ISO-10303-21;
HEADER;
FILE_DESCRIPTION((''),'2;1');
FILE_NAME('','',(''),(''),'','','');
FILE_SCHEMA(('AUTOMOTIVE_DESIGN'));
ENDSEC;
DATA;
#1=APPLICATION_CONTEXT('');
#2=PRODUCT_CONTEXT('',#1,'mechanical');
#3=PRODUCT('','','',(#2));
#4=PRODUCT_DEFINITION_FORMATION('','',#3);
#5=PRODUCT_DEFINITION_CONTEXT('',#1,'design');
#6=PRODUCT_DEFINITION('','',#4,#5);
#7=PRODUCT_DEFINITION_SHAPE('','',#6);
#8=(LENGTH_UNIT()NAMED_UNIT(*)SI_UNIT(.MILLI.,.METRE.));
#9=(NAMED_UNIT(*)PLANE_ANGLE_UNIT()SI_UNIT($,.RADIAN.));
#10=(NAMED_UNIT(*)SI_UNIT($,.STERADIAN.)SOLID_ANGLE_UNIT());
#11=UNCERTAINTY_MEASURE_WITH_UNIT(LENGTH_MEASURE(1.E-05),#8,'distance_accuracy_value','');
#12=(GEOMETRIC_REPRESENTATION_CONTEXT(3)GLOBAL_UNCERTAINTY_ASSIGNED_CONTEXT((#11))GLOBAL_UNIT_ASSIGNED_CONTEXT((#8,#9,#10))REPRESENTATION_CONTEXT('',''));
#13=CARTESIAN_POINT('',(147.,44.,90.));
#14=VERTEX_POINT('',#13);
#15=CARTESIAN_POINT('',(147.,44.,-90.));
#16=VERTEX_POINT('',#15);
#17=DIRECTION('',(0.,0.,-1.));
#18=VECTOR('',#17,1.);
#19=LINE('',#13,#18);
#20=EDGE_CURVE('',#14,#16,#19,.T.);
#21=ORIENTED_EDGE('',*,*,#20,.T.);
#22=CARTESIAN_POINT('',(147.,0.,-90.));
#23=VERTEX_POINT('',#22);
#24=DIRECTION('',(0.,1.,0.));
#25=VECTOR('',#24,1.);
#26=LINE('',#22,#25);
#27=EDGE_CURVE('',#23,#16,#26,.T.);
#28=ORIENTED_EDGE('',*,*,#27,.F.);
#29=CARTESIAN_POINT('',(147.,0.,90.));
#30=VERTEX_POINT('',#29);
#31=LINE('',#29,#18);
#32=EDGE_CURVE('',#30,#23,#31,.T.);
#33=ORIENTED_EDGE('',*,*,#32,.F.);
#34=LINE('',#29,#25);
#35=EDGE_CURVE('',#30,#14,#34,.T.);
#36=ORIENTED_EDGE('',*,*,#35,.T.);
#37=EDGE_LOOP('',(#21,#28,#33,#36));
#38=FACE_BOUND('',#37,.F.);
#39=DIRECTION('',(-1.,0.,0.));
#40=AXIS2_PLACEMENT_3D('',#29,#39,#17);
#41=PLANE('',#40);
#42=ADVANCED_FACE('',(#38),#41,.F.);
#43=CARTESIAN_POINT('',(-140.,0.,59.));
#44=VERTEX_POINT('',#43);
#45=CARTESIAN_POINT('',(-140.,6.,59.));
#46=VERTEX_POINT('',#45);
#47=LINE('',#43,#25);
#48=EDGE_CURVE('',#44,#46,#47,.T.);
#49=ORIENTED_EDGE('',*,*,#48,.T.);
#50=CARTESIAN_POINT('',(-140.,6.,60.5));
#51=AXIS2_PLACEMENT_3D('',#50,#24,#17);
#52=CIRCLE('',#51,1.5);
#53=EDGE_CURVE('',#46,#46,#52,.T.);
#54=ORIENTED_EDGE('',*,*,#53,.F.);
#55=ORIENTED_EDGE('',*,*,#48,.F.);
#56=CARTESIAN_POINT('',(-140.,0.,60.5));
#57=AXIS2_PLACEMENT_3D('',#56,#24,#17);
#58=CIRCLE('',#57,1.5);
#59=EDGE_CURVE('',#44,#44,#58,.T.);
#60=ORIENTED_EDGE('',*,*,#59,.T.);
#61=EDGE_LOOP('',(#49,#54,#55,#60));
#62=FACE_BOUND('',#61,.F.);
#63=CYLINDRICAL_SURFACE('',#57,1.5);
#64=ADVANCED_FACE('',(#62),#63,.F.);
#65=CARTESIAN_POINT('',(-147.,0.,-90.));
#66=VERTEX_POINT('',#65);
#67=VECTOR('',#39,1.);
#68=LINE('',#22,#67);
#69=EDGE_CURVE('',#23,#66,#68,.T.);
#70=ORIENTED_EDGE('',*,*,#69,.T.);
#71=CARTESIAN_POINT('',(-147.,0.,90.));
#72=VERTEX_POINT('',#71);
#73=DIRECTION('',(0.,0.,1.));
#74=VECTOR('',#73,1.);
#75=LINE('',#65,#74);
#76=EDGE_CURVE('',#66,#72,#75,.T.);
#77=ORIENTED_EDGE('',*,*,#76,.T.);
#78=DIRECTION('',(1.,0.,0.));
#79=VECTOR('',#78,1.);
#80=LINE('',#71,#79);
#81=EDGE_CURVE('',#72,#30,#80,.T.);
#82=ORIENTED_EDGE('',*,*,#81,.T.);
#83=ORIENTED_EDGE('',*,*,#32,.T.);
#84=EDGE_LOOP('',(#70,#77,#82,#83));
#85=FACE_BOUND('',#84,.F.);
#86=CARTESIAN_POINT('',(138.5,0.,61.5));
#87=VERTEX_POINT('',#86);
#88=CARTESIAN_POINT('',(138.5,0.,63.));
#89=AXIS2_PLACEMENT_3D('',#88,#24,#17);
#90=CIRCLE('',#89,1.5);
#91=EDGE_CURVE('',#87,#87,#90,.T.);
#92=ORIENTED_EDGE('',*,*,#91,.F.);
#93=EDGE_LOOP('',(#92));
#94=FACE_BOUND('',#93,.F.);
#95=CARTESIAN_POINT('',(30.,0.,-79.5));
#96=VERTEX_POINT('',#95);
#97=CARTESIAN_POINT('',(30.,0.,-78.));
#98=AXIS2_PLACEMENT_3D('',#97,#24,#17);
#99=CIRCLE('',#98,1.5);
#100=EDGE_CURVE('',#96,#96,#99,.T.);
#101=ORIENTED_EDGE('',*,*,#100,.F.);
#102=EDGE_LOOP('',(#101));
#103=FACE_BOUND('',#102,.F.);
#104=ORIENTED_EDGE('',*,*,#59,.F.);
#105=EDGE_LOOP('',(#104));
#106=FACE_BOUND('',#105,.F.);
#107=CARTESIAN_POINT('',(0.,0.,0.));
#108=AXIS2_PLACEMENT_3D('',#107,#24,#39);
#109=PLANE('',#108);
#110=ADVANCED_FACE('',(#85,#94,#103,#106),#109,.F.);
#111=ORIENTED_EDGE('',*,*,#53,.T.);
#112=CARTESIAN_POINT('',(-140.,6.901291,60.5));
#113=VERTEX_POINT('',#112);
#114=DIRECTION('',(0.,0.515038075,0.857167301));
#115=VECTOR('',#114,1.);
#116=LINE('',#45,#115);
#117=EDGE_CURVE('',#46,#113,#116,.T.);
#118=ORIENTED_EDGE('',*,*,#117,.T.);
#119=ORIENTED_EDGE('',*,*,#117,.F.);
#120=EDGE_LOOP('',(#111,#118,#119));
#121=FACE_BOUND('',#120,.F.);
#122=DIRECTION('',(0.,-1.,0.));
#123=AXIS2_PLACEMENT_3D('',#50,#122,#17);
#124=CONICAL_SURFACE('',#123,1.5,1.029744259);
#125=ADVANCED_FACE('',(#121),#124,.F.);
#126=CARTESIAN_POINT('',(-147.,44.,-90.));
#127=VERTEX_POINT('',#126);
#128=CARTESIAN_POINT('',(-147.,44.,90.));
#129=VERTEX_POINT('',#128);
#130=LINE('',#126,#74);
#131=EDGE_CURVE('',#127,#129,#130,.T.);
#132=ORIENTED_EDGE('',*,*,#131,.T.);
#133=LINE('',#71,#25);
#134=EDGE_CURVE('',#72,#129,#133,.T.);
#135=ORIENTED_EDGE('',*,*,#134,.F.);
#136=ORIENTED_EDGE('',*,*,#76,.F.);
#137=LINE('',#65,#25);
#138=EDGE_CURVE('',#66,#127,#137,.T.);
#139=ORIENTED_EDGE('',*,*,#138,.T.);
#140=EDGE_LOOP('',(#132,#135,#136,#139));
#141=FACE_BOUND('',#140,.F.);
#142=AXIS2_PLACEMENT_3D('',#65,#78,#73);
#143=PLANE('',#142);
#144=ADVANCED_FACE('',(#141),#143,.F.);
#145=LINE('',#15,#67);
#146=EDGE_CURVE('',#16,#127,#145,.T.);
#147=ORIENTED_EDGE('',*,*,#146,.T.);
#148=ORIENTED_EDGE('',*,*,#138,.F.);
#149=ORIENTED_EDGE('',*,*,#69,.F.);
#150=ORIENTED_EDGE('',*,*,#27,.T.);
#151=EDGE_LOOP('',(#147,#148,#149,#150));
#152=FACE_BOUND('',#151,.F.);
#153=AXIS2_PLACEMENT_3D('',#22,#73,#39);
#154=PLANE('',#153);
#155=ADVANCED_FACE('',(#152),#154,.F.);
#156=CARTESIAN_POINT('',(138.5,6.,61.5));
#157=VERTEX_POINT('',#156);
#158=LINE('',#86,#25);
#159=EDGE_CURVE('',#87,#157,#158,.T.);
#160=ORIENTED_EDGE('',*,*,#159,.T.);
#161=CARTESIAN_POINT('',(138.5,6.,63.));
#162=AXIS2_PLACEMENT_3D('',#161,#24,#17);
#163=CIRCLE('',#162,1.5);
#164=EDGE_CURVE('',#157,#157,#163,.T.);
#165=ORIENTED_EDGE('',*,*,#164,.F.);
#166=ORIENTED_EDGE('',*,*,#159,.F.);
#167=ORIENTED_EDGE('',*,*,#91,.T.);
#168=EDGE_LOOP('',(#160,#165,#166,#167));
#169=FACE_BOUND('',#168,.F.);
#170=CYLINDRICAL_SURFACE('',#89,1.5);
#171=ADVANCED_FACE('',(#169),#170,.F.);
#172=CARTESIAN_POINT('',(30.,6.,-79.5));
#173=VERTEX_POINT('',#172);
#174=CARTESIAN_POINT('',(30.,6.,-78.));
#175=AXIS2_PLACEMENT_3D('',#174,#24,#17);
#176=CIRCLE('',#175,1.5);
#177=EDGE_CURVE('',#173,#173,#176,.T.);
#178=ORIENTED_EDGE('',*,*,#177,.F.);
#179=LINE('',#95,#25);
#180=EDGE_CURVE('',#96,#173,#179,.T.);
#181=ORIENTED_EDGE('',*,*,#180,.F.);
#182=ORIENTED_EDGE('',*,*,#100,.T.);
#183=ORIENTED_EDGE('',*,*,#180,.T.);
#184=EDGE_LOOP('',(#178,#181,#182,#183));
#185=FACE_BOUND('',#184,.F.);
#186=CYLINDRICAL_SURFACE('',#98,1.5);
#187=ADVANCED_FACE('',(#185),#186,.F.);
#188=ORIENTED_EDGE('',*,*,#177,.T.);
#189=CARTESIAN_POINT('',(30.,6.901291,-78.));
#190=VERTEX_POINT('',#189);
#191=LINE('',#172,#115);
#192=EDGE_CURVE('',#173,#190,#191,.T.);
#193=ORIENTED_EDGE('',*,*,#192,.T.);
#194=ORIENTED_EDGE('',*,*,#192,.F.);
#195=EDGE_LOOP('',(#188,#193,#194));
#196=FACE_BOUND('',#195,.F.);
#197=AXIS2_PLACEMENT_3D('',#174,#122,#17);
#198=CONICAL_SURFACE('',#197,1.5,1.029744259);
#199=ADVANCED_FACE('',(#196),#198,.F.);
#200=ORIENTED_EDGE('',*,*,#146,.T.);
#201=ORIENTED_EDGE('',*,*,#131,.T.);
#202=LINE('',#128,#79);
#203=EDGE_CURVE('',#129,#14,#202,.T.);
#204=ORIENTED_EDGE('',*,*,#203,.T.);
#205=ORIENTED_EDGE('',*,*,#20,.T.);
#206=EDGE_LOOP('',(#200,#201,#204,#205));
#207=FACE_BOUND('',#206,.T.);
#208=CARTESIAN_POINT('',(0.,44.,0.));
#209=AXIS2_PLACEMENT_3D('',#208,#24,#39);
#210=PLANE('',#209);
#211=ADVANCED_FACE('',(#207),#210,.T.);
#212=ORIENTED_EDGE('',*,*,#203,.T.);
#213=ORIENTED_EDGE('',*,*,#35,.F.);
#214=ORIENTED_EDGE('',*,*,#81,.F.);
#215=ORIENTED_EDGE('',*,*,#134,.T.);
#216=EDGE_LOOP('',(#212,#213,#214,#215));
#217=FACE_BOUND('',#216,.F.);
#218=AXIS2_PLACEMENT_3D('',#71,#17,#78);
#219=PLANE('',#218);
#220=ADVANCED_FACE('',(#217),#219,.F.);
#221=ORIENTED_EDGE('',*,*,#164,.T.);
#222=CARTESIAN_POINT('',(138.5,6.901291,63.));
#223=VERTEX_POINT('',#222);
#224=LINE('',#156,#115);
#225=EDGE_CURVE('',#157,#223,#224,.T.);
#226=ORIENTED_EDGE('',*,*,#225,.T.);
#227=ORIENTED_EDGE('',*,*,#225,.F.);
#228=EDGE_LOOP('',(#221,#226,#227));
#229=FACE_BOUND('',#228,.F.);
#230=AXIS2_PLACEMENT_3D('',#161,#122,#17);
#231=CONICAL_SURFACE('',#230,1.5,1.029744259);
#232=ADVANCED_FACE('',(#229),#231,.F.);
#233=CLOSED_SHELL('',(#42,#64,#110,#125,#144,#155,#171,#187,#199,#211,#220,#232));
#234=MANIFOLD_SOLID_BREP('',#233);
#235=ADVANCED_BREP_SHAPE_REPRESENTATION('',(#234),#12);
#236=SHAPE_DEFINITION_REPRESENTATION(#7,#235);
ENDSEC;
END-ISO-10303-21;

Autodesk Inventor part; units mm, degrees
ref_plane "YZ Plane" through (0, 0, 0) normal (1, 0, 0) x (0, 1, 0)
ref_plane "XZ Plane" through (0, 0, 0) normal (0, 1, 0) x (-1, 0, 0)
ref_plane "XY Plane" through (0, 0, 0) normal (0, 0, 1) x (1, 0, 0)
sketch "Sketch1" plane through (0, 0, 0) normal (0, 1, 0) x (-1, 0, 0)
  line L0 (-147, -90) -> (147, -90)
  line L1 (147, -90) -> (147, 90)
  line L2 (147, 90) -> (-147, 90)
  line L3 (-147, 90) -> (-147, -90)
  line L4 (-147, -90) -> (147, 90) construction
  line L5 (147, -90) -> (-147, 90) construction
  point P0 (0, 0)
  dimension "d0" = 294
  dimension "d1" = 180
extrude "Extrusion1" add sketch "Sketch1" along normal blind 44
sketch "Sketch3" plane through (0, 0, 0) normal (0, -1, 0) x (1, 0, 0)
  line L0 (147, -90) -> (-147, -90) projected
  line L1 (147, 90) -> (147, -90) projected
  line L2 (-147, 90) -> (147, 90) projected
  line L3 (-147, -90) -> (-147, 90) projected
  point P0 (0, 0)
  point P1 (-140, 60.5)
  point P2 (30, -78)
  point P3 (138.5, 63)
  dimension "d7" = 7
  dimension "d8" = 29.5
  dimension "d9" = 12
  dimension "d11" = 117
  dimension "d12" = 8.5
  dimension "d13" = 27
hole "Hole1" at (-140, 0, 60.5) at (30, 0, -78) at (138.5, 0, 63) direction (0, 1, 0) diameter 3 depth 6 tip angle 118
properties part number "tl_sg1024"
